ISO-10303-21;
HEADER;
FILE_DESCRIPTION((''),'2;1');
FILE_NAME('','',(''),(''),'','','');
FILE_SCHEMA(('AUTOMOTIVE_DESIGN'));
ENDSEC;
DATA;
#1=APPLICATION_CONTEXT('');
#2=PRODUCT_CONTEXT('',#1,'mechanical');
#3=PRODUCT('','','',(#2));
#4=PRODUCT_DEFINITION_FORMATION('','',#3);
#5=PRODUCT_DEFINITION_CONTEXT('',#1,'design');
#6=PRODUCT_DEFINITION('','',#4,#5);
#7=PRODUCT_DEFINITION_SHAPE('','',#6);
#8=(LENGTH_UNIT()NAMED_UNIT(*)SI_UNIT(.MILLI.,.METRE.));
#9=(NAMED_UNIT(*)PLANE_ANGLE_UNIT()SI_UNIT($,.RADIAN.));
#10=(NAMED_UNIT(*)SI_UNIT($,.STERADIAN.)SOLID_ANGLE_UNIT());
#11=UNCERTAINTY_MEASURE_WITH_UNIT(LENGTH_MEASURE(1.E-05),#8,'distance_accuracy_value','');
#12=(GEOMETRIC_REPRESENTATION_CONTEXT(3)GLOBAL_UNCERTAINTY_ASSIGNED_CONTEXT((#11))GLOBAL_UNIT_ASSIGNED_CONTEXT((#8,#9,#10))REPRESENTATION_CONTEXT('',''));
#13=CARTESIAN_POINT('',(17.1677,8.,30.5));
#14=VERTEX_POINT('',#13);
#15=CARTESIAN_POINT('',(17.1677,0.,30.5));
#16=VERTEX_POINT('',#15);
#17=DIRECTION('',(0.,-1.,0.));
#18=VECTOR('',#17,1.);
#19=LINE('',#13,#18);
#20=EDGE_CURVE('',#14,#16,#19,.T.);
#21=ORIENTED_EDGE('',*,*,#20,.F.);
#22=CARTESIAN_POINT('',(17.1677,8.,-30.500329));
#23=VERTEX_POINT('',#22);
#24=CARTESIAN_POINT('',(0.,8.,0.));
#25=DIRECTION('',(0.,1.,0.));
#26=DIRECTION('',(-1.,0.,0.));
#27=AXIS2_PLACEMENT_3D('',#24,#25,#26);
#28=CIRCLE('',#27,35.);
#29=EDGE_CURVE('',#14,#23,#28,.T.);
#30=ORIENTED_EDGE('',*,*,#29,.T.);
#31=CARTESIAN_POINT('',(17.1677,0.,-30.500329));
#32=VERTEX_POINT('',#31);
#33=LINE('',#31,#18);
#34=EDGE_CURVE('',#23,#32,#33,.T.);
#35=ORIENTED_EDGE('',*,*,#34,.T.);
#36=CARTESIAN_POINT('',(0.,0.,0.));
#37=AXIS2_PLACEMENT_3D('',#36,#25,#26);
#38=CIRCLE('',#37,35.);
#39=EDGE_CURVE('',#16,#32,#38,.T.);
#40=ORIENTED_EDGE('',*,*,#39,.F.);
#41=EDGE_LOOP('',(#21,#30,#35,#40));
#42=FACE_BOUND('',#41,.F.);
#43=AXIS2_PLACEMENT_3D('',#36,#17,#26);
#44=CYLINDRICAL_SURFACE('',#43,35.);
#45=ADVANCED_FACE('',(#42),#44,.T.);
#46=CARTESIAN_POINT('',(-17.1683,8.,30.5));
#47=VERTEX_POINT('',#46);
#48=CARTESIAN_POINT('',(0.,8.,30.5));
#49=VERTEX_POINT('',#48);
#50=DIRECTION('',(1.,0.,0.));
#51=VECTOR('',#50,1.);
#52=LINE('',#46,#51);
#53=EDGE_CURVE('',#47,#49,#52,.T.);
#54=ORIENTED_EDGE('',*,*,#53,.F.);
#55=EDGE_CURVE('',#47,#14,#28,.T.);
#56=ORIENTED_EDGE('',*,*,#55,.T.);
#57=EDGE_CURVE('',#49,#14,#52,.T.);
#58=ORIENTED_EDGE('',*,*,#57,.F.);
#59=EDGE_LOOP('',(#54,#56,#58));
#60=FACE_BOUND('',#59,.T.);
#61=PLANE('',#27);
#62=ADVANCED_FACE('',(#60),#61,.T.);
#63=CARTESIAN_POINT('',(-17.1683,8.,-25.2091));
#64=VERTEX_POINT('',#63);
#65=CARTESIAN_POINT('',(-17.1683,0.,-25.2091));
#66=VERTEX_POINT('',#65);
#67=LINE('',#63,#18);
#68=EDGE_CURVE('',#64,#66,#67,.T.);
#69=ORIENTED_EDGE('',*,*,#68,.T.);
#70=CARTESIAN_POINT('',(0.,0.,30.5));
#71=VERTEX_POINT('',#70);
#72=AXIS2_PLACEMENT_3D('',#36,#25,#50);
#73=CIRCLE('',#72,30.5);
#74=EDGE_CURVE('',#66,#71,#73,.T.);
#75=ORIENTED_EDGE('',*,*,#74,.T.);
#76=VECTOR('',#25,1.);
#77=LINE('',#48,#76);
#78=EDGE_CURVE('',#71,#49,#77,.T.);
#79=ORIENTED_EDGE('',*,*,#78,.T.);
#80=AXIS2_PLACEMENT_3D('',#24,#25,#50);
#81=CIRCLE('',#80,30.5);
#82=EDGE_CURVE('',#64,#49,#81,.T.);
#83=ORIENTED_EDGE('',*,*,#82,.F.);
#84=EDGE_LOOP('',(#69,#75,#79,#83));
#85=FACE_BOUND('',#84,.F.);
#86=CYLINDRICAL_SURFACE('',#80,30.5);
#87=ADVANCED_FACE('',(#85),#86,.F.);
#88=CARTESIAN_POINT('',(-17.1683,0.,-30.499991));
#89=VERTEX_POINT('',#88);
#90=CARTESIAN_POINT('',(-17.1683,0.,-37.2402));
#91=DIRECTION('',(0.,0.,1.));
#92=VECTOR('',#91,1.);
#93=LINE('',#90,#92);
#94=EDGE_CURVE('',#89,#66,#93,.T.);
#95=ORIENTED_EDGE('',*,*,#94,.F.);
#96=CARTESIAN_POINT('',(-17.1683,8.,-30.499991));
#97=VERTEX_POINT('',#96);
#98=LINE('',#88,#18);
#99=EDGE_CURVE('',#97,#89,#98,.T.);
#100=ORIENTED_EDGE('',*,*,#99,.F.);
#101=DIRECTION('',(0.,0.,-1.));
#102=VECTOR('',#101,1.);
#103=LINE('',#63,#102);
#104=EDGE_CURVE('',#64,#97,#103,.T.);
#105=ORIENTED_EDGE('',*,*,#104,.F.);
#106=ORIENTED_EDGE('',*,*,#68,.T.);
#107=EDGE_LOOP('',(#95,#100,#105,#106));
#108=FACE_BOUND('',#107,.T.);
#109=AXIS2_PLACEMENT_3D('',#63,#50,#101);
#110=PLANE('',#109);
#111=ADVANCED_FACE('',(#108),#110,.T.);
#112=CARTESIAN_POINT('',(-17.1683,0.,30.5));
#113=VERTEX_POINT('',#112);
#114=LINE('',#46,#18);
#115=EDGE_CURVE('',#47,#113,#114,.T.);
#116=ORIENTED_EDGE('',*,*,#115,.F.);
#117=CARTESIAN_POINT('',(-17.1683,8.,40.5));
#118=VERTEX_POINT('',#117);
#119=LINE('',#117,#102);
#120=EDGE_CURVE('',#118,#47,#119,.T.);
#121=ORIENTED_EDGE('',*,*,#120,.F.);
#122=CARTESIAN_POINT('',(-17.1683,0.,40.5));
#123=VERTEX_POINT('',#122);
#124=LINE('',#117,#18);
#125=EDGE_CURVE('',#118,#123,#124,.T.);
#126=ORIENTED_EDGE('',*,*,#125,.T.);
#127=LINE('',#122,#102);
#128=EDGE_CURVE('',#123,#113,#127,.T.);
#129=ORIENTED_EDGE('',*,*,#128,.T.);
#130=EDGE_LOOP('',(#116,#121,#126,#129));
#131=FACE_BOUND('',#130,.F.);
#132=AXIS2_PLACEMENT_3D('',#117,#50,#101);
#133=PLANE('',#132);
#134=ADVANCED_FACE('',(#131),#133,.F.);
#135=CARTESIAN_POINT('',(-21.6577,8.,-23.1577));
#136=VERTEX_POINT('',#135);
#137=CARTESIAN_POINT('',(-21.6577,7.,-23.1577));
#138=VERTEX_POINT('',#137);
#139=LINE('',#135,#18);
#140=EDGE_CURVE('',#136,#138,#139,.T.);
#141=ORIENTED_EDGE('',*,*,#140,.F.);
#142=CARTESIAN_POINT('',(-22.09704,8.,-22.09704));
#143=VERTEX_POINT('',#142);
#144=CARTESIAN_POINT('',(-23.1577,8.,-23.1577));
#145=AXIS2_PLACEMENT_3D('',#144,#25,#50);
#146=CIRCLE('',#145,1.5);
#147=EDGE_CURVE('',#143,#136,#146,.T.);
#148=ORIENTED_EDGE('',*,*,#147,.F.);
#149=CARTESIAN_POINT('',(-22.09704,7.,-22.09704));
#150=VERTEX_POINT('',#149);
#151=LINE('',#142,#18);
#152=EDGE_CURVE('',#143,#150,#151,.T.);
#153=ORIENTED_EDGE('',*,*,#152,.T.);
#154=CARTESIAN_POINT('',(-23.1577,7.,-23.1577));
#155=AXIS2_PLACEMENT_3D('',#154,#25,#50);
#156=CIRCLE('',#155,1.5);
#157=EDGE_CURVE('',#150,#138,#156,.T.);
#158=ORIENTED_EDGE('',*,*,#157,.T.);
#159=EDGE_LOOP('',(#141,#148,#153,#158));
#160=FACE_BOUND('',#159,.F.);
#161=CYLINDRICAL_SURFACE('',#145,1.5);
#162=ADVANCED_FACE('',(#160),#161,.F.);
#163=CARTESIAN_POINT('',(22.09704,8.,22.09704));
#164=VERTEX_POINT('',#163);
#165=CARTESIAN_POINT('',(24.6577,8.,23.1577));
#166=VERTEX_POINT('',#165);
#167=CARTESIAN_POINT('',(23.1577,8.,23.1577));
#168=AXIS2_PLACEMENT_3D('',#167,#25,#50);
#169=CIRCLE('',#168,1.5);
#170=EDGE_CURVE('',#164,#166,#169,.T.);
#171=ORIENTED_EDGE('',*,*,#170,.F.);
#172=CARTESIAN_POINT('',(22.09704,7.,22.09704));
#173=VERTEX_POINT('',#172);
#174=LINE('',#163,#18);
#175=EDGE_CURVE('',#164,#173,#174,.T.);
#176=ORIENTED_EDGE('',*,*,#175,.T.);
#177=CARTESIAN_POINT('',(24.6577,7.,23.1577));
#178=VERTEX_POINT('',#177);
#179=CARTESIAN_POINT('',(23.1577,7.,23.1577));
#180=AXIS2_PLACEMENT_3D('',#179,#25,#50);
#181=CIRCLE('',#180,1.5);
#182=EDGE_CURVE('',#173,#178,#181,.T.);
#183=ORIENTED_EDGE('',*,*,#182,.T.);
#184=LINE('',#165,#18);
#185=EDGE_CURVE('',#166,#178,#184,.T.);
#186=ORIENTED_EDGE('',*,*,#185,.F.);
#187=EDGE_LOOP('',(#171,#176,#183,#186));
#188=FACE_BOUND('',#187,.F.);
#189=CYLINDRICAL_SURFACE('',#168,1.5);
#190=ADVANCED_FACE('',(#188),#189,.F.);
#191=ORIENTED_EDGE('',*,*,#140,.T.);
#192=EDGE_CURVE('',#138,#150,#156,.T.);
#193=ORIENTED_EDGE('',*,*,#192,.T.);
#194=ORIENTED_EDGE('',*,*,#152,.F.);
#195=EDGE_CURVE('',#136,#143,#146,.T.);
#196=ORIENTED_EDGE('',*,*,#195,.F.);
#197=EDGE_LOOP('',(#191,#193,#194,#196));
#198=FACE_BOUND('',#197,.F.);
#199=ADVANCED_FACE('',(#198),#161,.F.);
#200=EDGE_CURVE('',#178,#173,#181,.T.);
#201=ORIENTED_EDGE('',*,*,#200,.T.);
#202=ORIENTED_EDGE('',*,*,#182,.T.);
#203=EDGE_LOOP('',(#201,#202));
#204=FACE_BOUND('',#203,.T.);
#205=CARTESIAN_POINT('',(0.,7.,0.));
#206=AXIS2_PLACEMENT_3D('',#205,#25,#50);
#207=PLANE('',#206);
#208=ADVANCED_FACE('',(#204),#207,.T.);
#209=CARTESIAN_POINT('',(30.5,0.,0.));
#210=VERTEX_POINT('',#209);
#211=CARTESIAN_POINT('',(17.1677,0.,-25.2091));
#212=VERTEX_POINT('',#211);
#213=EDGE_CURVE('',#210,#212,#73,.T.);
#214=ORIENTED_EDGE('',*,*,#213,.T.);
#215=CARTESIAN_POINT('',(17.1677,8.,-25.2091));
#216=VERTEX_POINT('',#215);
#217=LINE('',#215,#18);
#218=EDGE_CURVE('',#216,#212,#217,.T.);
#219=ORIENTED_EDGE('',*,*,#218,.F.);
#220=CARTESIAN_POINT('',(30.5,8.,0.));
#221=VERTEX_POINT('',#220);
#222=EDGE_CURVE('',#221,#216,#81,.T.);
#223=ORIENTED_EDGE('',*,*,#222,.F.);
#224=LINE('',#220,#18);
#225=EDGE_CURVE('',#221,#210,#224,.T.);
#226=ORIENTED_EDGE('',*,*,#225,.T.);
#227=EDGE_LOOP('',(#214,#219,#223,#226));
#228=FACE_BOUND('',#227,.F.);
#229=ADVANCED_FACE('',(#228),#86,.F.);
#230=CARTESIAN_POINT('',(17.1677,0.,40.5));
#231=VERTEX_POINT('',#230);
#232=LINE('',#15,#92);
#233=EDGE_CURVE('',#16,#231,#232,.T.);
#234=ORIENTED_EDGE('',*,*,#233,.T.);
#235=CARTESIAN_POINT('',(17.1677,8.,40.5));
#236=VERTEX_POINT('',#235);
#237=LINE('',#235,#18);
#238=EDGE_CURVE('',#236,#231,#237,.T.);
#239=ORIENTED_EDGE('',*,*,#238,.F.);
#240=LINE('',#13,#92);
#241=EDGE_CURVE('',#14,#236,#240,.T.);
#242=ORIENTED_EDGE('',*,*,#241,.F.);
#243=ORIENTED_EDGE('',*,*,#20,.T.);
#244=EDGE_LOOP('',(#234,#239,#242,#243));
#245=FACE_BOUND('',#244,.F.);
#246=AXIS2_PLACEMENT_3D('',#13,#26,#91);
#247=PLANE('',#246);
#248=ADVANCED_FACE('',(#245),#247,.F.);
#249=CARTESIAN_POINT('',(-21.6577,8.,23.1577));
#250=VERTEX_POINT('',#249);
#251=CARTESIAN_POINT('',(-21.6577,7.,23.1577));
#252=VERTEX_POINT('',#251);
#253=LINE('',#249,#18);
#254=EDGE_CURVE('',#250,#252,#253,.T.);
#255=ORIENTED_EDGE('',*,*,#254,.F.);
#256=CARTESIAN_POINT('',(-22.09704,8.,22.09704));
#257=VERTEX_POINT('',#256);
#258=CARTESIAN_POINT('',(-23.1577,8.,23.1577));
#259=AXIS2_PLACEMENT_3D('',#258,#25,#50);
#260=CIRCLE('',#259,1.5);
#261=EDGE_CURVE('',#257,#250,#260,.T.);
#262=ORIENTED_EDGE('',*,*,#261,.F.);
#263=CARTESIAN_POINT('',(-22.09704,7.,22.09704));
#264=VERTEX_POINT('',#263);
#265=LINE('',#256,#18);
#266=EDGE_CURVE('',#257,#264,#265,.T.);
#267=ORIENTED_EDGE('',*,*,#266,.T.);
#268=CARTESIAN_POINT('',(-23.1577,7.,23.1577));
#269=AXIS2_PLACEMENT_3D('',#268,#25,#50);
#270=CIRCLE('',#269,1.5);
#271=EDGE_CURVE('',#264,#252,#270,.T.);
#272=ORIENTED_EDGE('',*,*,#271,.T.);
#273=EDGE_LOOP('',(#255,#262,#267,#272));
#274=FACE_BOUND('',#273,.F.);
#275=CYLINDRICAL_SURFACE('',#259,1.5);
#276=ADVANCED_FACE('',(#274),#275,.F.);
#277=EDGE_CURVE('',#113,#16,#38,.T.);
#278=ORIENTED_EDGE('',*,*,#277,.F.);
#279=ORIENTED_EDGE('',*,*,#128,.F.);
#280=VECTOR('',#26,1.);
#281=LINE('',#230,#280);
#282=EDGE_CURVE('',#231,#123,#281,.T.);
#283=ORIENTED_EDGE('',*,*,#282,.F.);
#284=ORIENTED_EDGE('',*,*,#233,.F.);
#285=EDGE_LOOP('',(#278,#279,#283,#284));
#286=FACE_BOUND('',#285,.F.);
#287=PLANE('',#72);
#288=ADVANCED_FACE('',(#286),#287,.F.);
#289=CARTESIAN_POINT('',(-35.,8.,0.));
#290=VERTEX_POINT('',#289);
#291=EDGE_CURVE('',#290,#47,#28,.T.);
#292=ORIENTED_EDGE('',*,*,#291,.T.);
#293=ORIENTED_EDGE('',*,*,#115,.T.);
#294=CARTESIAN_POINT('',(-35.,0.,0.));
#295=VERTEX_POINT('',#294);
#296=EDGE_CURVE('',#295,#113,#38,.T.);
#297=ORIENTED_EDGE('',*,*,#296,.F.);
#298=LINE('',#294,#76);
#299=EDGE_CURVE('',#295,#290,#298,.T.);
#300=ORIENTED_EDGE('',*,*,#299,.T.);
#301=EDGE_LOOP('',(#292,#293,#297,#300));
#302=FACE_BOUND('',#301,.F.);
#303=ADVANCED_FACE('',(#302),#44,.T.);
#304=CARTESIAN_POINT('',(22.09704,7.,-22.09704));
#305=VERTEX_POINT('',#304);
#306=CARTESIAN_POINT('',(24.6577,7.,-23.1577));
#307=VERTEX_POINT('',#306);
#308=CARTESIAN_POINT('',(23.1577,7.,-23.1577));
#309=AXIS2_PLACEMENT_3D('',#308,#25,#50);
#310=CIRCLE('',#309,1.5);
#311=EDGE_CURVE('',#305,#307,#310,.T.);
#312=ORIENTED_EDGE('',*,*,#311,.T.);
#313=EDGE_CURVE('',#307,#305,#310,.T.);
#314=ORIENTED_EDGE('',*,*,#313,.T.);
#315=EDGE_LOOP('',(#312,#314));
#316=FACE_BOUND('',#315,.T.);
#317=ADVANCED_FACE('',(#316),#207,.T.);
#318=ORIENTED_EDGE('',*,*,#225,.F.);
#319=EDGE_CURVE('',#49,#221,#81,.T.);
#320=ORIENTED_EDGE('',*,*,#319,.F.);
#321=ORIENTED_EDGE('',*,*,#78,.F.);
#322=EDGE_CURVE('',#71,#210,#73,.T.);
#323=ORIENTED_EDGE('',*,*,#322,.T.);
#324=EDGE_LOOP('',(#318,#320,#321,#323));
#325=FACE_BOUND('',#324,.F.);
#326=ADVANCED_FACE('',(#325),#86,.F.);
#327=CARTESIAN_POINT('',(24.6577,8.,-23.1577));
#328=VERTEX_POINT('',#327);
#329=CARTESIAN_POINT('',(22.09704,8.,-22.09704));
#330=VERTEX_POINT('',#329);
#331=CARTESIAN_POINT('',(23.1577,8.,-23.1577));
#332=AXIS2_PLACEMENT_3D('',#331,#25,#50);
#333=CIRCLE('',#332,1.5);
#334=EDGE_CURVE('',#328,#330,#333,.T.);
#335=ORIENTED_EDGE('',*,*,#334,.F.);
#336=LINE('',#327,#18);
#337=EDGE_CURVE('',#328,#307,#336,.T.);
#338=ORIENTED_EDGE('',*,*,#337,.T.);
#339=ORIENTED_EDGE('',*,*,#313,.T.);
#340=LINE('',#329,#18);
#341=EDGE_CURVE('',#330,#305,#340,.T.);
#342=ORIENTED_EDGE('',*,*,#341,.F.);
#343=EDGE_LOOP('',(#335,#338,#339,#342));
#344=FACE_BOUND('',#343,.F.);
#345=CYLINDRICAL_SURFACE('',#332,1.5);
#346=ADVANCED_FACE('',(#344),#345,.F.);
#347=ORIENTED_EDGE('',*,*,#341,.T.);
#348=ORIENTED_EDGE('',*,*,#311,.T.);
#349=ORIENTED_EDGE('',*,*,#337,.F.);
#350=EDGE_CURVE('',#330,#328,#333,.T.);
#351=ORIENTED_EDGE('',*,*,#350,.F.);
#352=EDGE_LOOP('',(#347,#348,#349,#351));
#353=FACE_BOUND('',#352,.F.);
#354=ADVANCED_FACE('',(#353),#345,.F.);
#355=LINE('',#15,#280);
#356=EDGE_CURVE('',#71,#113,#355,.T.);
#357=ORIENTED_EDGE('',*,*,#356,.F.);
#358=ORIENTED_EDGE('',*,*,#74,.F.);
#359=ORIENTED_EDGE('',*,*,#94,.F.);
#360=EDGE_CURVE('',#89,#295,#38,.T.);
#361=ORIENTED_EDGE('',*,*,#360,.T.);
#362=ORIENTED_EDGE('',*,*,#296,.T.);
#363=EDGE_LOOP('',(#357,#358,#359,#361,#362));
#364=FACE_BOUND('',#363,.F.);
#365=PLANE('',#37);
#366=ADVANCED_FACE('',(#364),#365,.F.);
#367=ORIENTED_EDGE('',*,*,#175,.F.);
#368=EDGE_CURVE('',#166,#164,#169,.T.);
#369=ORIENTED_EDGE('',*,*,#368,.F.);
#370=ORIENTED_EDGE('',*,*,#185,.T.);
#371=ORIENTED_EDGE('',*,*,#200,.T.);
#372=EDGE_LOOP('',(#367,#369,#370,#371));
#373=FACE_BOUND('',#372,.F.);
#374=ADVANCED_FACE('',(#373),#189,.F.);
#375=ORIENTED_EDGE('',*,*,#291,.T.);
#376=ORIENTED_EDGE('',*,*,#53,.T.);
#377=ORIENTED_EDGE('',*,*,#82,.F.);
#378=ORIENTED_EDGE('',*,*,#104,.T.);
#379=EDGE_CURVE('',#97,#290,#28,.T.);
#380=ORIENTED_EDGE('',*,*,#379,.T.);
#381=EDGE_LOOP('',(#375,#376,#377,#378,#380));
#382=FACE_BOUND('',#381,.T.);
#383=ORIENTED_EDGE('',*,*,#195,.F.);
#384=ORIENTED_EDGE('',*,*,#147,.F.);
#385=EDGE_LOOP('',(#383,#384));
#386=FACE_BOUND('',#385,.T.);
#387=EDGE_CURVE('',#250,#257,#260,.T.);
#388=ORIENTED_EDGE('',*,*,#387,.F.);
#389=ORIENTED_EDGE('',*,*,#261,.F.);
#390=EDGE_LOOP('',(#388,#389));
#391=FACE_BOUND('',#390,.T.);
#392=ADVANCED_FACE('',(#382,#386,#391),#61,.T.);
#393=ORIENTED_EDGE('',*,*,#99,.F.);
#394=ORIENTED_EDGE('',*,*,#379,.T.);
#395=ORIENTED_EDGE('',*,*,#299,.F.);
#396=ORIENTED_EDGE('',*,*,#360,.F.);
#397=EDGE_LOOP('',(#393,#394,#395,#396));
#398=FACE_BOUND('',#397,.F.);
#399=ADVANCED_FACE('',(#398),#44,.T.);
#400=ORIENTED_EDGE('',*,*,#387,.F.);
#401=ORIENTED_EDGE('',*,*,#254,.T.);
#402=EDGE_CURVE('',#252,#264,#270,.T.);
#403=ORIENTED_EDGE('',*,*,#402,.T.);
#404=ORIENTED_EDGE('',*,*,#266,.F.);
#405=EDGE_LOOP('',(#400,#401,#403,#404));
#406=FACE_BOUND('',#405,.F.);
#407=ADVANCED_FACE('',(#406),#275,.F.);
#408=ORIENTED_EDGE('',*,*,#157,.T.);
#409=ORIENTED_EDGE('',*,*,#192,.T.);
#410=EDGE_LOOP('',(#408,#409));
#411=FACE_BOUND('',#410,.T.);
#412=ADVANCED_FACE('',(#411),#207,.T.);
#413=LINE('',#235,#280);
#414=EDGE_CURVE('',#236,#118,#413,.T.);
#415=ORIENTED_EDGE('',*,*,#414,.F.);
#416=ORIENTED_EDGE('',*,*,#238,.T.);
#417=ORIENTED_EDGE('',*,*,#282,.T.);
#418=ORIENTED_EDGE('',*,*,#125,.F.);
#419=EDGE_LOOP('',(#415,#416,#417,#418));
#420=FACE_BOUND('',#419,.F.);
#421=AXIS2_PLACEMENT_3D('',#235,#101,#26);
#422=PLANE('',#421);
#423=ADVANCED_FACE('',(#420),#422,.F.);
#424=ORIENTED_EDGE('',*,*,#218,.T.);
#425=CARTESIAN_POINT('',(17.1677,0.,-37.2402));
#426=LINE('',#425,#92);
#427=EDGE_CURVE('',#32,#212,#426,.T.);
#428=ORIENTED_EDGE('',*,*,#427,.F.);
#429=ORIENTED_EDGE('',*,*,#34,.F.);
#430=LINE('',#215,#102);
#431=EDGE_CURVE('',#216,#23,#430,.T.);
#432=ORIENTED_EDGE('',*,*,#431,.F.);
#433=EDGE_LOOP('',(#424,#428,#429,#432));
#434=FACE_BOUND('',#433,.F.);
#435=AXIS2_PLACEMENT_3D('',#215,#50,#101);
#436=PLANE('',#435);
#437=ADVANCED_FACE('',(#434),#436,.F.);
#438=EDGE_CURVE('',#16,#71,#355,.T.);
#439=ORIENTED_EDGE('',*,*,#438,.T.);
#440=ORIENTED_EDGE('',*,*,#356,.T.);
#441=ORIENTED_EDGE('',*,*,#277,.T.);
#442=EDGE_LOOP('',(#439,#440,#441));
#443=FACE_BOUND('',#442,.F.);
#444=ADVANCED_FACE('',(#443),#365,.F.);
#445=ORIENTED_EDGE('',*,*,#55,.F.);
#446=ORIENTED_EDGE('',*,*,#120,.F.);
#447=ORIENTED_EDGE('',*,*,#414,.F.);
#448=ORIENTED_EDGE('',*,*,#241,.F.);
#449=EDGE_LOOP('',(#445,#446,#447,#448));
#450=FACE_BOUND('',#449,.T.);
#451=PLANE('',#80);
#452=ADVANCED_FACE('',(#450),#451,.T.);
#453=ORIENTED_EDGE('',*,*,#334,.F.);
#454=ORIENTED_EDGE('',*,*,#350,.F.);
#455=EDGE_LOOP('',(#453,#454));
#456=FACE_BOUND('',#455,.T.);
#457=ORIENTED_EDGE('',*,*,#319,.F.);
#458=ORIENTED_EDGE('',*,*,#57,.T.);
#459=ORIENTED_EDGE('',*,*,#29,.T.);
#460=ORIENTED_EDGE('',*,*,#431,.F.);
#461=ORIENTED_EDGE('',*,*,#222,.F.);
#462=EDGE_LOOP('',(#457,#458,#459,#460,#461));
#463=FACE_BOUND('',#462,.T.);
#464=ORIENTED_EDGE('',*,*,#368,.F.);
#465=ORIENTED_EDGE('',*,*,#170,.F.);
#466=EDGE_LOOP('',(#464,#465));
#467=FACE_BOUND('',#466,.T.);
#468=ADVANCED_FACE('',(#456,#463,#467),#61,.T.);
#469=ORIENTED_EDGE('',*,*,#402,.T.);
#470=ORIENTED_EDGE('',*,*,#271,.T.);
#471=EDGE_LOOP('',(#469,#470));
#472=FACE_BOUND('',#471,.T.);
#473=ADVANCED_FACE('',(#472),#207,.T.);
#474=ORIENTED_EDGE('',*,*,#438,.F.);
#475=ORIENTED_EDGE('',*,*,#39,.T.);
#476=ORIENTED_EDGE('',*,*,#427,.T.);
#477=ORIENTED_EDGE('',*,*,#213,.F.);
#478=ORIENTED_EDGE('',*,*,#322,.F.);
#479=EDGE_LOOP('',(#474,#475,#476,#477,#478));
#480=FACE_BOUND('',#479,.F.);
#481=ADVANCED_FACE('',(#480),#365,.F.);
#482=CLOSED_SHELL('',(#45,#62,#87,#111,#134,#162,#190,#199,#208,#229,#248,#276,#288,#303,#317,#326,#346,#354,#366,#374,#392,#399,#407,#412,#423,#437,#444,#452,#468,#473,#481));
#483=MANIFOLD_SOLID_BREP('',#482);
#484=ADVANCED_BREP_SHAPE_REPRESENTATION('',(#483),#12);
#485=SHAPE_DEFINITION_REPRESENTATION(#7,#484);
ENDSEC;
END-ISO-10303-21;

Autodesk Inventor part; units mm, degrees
ref_plane "YZ Plane" through (0, 0, 0) normal (1, 0, 0) x (0, 1, 0)
ref_plane "XZ Plane" through (0, 0, 0) normal (0, 1, 0) x (-1, 0, 0)
ref_plane "XY Plane" through (0, 0, 0) normal (0, 0, 1) x (1, 0, 0)
sketch "Sketch1" plane through (0, 0, 0) normal (0, 1, 0) x (-1, 0, 0)
  circle A0 centre (0, 0) radius 35
  dimension "d0" = 70
extrude "Extrusion1" add sketch "Sketch1" along normal blind 8
sketch "Sketch2" plane through (0, 8, 0) normal (0, 1, 0) x (1, 0, 0)
  circle A0 centre (0, 0) radius 30.5
  dimension "d3" = 61
extrude "Extrusion2" cut sketch "Sketch2" against normal blind 8
sketch "Sketch3" plane through (0, 8, 0) normal (0, 1, 0) x (1, 0, 0)
  circle A0 centre (0, 0) radius 30.5 projected
  line L0 (0, -30.5) -> (-17.1683, -30.5)
  circle A1 centre (0, 0) radius 35 projected
  line L1 (-17.1683, -30.5) -> (17.1677, -30.5)
  line L2 (17.1677, -30.5) -> (17.1677, -40.5)
  line L3 (17.1677, -40.5) -> (-17.1683, -40.5)
  line L4 (-17.1683, -40.5) -> (-17.1683, -30.5)
  dimension "d6" = 34.336
  dimension "d7" = 10
extrude "Extrusion3" add sketch "Sketch3" against normal blind 8 contours L1 A1 L0 | A1 L2 L3 L4 picked at (9.255, -31.4525)
sketch "Sketch4" plane through (0, 8, 0) normal (0, 1, 0) x (1, 0, 0)
  line L0 (-17.1683, -40.5) -> (-17.1683, -30.5) projected
  line L1 (-17.1683, -30.5) -> (-17.1683, 30.5)
  arc A0 (17.1677, -30.5003) -> (-17.1683, -30.5) centre (0, 0) ccw projected
  line L2 (17.1677, -30.5003) -> (17.1677, 30.5)
  circle A1 centre (0, 0) radius 30.5 projected
  line L3 (-17.1683, 25.2091) -> (17.1677, 25.2091)
  line L4 (17.1677, 25.2091) -> (17.1677, 37.2402)
  line L5 (17.1677, 37.2402) -> (-17.1683, 37.2402)
  line L6 (-17.1683, 37.2402) -> (-17.1683, 25.2091)
  point P0 (17.1677, 30.5)
extrude "Extrusion4" cut sketch "Sketch4" against normal blind 8 contours L1 A0 L2 A1 | A1 L3 | L6 L5 L4 A0
sketch "Sketch5" plane through (0, 8, 0) normal (0, 1, 0) x (1, 0, 0)
  point P0 (0, 0)
sketch "Sketch6" plane through (0, 8, 0) normal (0, 1, 0) x (1, 0, 0)
  line L0 (0, 0) -> (-23.1577, 23.1577)
  line L1 (0, 0) -> (32.75, 0) construction
  circle A0 centre (-23.1577, 23.1577) radius 1.5
  dimension "d12" = 32.75
  dimension "d13" = 135
  dimension "d14" = 3
extrude "Extrusion5" cut sketch "Sketch6" against normal blind 1
sketch "Sketch7" plane through (0, 8, 0) normal (0, 1, 0) x (1, 0, 0)
  line L0 (0, 0) -> (-23.1577, -23.1577)
  line L1 (0, 0) -> (32.75, 0) construction
  circle A0 centre (-23.1577, -23.1577) radius 1.5
  dimension "d17" = 32.75
  dimension "d18" = 135
  dimension "d19" = 3
extrude "Extrusion6" cut sketch "Sketch7" against normal blind 1
sketch "Sketch8" plane through (0, 8, 0) normal (0, 1, 0) x (1, 0, 0)
  line L0 (0, 0) -> (23.1577, -23.1577)
  line L1 (0, 0) -> (32.75, 0) construction
  circle A0 centre (23.1577, -23.1577) radius 1.5
  dimension "d22" = 32.75
  dimension "d23" = 45
  dimension "d24" = 3
extrude "Extrusion7" cut sketch "Sketch8" against normal blind 1
sketch "Sketch9" plane through (0, 8, 0) normal (0, 1, 0) x (1, 0, 0)
  line L0 (0, 0) -> (23.1577, 23.1577)
  line L1 (0, 0) -> (32.75, 0) construction
  circle A0 centre (23.1577, 23.1577) radius 1.5
  dimension "d27" = 32.75
  dimension "d28" = 45
  dimension "d29" = 3
extrude "Extrusion8" cut sketch "Sketch9" against normal blind 1
sketch "Sketch10" plane through (0, 8, 0) normal (0, 1, 0) x (1, 0, 0)
  point P0 (0, 0)
properties part number "expo5"
